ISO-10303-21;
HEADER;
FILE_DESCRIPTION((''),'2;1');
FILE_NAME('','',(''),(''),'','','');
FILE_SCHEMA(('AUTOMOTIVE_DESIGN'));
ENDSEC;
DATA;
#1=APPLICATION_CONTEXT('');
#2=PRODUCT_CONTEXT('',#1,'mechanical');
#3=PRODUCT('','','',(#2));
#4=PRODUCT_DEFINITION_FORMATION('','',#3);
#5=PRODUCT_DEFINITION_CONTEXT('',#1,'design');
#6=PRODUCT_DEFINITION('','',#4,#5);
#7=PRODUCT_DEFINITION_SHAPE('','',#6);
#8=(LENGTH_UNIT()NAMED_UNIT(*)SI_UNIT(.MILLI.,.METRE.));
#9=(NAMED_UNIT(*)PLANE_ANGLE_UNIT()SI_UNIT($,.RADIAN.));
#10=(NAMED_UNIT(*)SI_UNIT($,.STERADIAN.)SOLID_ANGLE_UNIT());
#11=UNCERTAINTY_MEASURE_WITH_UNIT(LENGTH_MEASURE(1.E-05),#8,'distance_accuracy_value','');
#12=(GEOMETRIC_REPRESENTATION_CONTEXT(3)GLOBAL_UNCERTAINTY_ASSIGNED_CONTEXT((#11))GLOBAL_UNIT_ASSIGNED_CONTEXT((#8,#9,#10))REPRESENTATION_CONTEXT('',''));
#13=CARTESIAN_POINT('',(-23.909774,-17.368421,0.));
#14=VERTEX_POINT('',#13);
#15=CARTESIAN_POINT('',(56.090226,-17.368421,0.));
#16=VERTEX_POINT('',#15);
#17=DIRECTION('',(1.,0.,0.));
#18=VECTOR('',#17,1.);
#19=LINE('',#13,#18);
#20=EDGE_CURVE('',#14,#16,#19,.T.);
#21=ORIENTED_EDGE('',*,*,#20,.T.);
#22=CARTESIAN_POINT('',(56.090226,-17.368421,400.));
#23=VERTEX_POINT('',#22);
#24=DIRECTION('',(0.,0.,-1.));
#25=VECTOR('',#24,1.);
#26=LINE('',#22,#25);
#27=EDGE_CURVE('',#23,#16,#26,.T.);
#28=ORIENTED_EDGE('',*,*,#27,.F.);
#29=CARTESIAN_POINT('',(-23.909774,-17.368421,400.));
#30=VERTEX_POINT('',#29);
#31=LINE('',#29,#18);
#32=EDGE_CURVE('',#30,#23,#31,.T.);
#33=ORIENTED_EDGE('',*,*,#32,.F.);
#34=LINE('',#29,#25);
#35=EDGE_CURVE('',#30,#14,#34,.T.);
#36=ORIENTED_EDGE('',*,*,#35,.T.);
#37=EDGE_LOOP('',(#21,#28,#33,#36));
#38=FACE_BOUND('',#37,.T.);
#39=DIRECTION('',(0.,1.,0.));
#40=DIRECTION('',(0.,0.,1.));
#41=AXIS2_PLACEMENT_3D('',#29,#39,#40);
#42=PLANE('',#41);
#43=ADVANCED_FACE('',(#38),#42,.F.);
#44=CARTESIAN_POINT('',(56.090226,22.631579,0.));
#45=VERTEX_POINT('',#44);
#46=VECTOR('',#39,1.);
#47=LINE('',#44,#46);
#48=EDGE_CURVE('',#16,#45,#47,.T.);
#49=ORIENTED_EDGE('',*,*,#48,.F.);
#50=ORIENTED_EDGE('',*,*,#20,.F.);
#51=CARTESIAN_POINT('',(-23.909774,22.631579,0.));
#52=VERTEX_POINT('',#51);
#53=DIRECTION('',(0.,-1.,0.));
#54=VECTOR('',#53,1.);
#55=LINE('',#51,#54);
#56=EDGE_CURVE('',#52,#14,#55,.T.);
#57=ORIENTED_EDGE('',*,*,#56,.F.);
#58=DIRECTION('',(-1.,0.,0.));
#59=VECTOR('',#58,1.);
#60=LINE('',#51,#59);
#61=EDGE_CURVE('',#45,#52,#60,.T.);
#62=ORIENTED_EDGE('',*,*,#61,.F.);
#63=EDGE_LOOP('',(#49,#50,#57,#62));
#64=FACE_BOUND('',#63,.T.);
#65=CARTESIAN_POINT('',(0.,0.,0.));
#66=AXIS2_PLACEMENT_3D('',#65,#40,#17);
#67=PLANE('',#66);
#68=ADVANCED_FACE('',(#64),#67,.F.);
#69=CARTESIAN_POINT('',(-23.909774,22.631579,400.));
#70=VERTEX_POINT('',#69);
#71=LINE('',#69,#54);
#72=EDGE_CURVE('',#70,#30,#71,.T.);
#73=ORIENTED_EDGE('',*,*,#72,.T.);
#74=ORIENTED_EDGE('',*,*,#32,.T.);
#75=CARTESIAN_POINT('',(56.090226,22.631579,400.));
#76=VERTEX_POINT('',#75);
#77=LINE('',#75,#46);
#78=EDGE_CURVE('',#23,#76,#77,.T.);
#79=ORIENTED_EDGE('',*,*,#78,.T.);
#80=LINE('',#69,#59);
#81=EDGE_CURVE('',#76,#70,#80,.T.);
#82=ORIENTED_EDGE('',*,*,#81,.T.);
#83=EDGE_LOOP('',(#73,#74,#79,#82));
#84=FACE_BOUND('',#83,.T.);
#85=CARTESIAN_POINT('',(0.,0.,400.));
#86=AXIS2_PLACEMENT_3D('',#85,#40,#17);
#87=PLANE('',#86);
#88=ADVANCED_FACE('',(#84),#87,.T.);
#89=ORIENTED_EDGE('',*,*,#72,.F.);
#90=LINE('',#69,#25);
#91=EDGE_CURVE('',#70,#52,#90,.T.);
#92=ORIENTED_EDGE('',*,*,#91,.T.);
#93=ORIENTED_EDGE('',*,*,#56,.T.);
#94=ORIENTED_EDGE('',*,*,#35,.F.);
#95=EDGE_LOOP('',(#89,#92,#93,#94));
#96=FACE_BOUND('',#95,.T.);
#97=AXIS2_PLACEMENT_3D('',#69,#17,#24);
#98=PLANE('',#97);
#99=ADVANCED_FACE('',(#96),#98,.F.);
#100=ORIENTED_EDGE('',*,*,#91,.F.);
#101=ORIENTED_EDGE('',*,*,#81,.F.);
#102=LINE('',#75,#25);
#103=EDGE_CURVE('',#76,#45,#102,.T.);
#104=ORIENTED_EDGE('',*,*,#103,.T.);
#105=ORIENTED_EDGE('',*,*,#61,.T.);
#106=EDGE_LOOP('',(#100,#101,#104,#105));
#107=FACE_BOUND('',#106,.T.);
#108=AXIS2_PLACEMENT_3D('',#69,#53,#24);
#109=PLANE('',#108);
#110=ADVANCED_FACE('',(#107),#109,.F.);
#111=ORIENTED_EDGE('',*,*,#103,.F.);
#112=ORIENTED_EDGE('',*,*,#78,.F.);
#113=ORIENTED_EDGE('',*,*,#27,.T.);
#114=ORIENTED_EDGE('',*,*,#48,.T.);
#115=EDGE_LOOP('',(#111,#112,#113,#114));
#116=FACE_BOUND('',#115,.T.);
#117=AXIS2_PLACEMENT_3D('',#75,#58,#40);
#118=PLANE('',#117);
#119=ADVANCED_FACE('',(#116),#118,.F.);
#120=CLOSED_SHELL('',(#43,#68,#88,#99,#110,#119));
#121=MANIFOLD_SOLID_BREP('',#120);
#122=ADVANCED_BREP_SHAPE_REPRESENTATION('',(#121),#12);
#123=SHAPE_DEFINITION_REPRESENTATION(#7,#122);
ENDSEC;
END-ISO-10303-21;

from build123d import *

# Parameters (mm, degrees)
SKETCH_1_W      = 80
SKETCH_1_H      = 40
EXTRUDE_1_DEPTH = 400


with BuildPart() as part:
    # Эскиз1 → Бобышка-Вытянуть1 (new body)
    with BuildSketch(Plane.XY):
        with Locations((16.090225564, 2.631578947)):
            Rectangle(SKETCH_1_W, SKETCH_1_H)
    extrude(amount=EXTRUDE_1_DEPTH)


solid = part.part
